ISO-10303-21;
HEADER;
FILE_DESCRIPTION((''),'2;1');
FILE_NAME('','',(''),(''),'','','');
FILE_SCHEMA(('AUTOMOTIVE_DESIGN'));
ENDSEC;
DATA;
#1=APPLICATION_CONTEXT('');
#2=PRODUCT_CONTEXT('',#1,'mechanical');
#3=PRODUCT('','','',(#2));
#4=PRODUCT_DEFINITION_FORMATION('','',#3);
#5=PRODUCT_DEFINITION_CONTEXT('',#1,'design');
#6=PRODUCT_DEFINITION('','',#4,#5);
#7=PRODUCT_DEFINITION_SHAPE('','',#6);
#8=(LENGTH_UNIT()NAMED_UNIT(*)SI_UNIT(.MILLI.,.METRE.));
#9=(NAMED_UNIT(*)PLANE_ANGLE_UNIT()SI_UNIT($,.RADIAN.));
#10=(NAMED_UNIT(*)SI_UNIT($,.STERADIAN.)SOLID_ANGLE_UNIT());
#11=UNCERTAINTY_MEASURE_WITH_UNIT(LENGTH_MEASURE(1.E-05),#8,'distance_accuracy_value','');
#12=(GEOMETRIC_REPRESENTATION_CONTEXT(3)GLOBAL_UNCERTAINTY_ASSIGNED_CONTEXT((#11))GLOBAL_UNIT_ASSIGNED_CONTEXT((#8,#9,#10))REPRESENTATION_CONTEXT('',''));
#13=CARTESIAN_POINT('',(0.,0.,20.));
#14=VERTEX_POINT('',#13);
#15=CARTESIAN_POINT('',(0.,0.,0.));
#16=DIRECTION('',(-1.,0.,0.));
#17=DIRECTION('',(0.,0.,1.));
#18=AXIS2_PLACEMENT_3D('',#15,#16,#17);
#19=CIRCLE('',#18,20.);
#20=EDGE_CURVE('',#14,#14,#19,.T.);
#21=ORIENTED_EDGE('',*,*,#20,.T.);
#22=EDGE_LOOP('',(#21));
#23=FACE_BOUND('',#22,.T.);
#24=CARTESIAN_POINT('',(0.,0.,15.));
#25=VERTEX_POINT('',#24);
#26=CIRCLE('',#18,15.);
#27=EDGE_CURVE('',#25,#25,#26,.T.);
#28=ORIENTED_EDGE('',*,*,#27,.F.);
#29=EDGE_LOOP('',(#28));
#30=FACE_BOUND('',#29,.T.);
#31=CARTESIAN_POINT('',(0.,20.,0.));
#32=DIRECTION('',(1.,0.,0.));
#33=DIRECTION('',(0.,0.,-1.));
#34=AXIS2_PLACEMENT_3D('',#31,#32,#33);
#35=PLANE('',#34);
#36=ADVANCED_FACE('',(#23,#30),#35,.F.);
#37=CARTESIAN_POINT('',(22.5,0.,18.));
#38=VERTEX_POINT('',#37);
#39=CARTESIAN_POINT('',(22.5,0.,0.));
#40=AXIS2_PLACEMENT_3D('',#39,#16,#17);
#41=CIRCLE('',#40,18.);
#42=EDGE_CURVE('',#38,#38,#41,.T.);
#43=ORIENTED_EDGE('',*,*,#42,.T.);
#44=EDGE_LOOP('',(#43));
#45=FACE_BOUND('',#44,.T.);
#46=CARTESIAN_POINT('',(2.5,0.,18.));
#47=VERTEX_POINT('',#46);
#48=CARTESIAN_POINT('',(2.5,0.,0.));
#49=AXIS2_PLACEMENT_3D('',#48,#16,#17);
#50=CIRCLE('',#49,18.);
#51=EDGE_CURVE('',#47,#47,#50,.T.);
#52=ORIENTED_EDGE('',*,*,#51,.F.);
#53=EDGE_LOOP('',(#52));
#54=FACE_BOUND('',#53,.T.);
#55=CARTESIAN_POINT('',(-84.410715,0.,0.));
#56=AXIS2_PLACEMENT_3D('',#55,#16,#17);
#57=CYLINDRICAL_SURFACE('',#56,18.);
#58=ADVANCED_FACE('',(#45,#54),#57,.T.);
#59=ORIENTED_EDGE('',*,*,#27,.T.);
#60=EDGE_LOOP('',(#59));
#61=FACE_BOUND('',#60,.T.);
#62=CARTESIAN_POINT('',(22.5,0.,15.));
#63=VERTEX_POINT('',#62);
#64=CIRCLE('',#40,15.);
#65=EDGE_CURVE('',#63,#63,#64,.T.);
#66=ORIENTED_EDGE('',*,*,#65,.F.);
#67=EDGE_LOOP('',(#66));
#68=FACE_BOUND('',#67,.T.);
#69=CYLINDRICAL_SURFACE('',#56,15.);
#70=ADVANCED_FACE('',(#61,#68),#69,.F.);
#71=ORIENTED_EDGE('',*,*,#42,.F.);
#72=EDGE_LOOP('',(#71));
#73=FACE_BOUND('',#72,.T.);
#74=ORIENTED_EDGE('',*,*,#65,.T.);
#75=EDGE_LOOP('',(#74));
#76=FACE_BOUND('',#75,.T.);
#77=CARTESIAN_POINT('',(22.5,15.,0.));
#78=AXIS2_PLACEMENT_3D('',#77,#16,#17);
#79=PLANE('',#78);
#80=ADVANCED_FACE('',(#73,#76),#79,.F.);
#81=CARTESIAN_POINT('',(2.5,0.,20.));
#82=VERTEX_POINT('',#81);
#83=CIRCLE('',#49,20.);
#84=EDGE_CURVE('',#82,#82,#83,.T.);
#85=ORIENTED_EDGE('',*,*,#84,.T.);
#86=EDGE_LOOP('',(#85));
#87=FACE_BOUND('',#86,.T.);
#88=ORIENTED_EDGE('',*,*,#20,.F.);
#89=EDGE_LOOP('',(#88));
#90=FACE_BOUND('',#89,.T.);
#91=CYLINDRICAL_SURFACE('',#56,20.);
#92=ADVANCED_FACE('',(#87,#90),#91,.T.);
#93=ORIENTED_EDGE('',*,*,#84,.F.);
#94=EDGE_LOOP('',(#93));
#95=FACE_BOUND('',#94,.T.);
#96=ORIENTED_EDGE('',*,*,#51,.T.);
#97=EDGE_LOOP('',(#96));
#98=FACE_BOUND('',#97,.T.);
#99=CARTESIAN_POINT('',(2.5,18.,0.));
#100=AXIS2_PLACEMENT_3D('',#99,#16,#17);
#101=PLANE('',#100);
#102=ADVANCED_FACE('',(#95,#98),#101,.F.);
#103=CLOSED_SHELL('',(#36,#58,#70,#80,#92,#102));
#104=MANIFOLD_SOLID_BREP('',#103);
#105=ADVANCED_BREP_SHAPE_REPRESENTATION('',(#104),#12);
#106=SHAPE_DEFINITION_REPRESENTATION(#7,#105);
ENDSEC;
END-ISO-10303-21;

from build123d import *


with BuildPart() as part:
    # Sketch1 → Revolve1 (revolve)
    with BuildSketch(Plane.XY):
        Polygon((0, 20), (0, 15), (22.5, 15), (22.5, 18), (2.5, 18), (2.5, 20), align=None)
    revolve(axis=Axis((-84.410714624, 0, 0), (1, 0, 0)))


solid = part.part
